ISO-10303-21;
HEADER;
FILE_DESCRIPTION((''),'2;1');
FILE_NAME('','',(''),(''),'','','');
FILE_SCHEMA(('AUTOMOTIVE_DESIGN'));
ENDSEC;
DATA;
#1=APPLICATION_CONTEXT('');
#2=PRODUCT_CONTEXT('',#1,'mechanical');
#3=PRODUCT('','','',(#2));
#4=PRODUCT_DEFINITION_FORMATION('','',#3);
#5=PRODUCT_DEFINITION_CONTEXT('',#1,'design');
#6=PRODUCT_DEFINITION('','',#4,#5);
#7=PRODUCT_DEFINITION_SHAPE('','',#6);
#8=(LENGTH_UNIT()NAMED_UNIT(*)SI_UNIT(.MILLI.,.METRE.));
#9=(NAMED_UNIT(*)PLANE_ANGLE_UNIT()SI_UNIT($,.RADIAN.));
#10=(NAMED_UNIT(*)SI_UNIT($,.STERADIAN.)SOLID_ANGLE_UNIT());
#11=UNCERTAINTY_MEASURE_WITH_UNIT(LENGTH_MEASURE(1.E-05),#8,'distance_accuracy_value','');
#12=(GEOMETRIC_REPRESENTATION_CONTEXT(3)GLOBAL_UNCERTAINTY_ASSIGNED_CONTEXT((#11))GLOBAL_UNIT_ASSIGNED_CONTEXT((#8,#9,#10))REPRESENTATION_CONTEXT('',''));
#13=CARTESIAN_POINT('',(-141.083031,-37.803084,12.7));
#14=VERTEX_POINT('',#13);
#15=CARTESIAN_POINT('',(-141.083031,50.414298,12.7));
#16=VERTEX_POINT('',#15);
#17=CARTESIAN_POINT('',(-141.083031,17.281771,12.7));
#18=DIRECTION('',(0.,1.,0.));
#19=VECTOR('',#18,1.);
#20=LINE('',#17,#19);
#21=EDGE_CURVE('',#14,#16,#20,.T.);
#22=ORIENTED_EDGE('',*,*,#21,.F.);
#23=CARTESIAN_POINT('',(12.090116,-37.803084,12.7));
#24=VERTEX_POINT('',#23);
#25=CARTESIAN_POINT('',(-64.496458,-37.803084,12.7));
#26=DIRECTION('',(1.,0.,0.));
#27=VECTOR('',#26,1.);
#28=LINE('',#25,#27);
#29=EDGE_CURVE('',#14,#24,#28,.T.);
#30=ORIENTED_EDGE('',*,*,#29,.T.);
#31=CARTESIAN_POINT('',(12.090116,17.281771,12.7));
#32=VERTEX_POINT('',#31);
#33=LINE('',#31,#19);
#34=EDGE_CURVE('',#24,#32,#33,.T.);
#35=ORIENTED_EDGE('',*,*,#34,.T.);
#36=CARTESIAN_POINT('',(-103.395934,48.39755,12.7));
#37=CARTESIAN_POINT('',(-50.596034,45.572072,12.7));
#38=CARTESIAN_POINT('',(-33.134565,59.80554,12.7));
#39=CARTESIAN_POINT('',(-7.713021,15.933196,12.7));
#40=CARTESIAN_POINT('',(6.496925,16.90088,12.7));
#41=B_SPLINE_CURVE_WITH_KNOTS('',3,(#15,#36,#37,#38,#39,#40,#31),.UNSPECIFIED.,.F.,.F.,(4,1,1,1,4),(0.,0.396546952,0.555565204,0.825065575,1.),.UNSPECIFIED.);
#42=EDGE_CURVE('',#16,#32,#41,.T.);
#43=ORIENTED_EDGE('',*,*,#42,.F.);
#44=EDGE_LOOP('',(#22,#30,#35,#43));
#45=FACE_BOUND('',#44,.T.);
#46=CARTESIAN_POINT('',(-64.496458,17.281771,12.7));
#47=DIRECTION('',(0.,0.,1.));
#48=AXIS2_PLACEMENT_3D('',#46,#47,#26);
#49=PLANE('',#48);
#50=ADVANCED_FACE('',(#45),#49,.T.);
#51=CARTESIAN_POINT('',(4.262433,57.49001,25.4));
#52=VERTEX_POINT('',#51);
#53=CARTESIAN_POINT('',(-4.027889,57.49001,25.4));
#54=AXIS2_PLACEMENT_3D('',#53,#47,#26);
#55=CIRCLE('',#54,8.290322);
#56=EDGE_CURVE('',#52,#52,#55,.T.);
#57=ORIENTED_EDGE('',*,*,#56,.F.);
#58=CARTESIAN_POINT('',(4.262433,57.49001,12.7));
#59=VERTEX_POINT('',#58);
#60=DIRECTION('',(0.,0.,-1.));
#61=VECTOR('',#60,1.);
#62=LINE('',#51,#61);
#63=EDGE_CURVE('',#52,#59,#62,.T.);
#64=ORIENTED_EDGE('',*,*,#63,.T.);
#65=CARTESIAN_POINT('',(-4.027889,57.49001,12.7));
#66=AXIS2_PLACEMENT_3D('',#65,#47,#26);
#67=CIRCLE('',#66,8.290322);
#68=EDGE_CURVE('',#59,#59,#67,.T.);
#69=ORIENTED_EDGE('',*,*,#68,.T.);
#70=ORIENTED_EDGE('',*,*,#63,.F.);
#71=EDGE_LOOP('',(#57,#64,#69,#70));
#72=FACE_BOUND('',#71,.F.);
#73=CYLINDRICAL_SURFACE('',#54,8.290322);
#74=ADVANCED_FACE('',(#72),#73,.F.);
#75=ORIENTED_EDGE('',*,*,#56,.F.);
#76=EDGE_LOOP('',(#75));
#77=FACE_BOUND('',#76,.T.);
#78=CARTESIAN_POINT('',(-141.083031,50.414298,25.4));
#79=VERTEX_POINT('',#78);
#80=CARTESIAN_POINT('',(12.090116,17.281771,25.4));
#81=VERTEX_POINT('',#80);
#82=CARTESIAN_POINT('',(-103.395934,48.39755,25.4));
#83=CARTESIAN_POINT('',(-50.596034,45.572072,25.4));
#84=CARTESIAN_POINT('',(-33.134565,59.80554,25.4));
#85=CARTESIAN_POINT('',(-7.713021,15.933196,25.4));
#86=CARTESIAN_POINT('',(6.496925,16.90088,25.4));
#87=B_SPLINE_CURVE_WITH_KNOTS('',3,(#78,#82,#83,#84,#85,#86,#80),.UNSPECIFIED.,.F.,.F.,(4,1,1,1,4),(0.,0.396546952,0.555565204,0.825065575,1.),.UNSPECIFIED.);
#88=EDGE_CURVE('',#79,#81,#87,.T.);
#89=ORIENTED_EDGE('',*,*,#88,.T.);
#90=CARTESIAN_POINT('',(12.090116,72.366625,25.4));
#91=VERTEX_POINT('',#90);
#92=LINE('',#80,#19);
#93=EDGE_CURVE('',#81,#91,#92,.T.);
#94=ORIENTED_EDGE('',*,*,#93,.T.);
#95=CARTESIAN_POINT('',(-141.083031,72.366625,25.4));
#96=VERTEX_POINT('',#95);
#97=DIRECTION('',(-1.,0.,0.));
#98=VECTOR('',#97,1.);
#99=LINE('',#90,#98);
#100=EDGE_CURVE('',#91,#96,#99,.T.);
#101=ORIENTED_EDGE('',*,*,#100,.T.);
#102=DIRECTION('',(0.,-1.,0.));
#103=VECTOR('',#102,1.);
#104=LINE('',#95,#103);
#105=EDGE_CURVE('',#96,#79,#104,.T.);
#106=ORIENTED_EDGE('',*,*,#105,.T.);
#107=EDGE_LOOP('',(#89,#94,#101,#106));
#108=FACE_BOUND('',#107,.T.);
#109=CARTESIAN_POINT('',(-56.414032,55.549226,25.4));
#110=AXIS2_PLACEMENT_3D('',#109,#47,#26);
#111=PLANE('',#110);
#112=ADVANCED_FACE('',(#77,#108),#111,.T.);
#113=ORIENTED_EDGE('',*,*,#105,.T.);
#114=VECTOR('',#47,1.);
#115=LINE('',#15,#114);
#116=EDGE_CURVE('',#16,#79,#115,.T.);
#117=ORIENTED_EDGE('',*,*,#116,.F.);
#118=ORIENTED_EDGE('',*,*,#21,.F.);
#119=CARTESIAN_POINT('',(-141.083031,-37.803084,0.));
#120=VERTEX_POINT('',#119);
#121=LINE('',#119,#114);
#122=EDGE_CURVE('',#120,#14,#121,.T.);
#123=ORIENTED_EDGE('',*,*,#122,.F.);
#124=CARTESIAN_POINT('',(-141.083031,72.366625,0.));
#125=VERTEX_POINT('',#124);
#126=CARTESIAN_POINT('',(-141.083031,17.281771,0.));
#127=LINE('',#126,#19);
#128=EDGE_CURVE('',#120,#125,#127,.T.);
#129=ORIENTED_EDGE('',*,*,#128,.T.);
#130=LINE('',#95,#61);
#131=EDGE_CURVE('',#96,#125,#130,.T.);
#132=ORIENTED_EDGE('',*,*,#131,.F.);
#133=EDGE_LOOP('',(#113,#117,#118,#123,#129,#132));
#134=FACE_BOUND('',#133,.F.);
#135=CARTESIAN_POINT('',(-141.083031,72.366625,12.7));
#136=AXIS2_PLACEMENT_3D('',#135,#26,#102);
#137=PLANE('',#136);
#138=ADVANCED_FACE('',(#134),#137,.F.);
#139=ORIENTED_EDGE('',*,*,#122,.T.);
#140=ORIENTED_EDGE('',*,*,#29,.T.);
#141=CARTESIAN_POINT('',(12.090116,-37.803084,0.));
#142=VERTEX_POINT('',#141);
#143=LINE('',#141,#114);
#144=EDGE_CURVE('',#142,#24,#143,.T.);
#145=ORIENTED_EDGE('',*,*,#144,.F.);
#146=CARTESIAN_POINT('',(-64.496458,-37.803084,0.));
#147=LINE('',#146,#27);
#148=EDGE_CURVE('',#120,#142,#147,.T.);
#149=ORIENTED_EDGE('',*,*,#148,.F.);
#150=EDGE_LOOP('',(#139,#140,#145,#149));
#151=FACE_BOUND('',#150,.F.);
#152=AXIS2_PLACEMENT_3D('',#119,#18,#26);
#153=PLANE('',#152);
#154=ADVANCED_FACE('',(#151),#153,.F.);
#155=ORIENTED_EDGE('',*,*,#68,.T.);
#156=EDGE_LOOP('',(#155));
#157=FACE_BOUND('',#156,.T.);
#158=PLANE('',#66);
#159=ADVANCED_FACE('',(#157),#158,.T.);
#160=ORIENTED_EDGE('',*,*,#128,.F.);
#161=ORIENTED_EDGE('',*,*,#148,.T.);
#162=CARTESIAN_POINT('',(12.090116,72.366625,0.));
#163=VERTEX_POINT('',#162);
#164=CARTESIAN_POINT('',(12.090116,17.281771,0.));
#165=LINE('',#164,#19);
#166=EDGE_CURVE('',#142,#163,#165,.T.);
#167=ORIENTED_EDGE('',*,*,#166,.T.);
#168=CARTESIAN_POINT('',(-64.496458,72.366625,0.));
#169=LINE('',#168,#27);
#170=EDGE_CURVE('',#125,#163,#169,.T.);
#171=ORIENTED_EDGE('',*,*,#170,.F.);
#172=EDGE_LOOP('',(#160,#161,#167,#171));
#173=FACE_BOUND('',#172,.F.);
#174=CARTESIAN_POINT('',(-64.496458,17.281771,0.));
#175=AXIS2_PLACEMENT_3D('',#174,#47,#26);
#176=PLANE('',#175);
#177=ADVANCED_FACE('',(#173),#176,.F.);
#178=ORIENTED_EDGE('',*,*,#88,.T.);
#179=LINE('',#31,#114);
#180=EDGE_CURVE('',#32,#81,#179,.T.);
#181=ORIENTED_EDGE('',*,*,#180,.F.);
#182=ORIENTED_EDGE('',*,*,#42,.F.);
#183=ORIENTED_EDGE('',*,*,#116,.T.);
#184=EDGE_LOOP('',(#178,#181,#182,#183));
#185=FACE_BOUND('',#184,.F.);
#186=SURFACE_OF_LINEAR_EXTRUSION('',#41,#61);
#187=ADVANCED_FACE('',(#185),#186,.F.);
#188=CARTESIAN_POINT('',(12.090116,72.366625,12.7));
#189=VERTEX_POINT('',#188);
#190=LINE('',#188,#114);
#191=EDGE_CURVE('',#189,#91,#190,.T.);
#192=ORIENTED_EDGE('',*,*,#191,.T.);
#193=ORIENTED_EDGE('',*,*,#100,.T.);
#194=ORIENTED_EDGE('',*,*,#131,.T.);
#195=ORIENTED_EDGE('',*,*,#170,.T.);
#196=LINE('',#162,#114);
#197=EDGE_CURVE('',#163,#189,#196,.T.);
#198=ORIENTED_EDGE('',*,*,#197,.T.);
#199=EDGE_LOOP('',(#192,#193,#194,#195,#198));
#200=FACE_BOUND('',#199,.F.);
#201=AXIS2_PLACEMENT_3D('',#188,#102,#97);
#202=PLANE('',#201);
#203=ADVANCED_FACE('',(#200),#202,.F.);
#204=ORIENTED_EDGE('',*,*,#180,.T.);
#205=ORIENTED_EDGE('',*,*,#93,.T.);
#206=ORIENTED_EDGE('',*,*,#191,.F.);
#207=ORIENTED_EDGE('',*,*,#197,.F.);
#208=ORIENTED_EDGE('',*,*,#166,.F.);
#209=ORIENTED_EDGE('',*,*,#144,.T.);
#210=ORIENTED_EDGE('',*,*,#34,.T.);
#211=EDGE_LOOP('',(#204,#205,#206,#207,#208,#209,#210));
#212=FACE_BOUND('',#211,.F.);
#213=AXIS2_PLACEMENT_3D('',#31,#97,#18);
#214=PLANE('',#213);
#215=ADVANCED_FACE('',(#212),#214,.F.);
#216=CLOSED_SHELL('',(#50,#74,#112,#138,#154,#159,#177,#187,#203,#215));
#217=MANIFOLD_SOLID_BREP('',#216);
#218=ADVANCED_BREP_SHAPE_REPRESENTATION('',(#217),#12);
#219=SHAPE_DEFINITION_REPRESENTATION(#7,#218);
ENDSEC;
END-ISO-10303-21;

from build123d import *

# Parameters (mm, degrees)
F0_W     = 153.1731467694
F0_H     = 110.1697087288
F1_DEPTH = 12.7
F3_DEPTH = 12.7
F4_R     = 8.2903217001
F5_DEPTH = 12.7


with BuildPart() as f1:
    # F0 (on Top) → F1 (new body)
    with BuildSketch(Plane.XY):
        with Locations((-64.4964575768, 17.2817707062)):
            Rectangle(F0_W, F0_H)
    extrude(amount=F1_DEPTH)

    # F2 (on face) → F3 (join)
    with BuildSketch(Plane.XY.offset(12.7)):
        with BuildLine():
            Line((-141.0830309615, 72.3666250706), (-141.0830309615, 50.4142977297))
            add(Edge.make_bspline(
                [(-141.0830309615, 50.4142977297), (-103.395934181, 48.3975501002), (-50.5960336004, 45.5720717952), (-33.1345654521, 59.8055398639), (-7.7130214935, 15.9331957658), (6.4969246779, 16.9008796746), (12.090115808, 17.2817707062)],
                knots=[0, 0, 0, 0, 0.3965469516, 0.5555652042, 0.8250655753, 1, 1, 1, 1], degree=3))
            Line((12.090115808, 17.2817707062), (12.090115808, 72.3666250706))
            Line((12.090115808, 72.3666250706), (-141.0830309615, 72.3666250706))
        make_face()
    extrude(amount=F3_DEPTH)

    # F4 (on face) → F5 (cut)
    with BuildSketch(Plane.XY.offset(25.4)):
        with Locations((-4.0278891101, 57.4900098145)):
            Circle(F4_R)
    extrude(amount=-F5_DEPTH, mode=Mode.SUBTRACT)


solid = f1.part
